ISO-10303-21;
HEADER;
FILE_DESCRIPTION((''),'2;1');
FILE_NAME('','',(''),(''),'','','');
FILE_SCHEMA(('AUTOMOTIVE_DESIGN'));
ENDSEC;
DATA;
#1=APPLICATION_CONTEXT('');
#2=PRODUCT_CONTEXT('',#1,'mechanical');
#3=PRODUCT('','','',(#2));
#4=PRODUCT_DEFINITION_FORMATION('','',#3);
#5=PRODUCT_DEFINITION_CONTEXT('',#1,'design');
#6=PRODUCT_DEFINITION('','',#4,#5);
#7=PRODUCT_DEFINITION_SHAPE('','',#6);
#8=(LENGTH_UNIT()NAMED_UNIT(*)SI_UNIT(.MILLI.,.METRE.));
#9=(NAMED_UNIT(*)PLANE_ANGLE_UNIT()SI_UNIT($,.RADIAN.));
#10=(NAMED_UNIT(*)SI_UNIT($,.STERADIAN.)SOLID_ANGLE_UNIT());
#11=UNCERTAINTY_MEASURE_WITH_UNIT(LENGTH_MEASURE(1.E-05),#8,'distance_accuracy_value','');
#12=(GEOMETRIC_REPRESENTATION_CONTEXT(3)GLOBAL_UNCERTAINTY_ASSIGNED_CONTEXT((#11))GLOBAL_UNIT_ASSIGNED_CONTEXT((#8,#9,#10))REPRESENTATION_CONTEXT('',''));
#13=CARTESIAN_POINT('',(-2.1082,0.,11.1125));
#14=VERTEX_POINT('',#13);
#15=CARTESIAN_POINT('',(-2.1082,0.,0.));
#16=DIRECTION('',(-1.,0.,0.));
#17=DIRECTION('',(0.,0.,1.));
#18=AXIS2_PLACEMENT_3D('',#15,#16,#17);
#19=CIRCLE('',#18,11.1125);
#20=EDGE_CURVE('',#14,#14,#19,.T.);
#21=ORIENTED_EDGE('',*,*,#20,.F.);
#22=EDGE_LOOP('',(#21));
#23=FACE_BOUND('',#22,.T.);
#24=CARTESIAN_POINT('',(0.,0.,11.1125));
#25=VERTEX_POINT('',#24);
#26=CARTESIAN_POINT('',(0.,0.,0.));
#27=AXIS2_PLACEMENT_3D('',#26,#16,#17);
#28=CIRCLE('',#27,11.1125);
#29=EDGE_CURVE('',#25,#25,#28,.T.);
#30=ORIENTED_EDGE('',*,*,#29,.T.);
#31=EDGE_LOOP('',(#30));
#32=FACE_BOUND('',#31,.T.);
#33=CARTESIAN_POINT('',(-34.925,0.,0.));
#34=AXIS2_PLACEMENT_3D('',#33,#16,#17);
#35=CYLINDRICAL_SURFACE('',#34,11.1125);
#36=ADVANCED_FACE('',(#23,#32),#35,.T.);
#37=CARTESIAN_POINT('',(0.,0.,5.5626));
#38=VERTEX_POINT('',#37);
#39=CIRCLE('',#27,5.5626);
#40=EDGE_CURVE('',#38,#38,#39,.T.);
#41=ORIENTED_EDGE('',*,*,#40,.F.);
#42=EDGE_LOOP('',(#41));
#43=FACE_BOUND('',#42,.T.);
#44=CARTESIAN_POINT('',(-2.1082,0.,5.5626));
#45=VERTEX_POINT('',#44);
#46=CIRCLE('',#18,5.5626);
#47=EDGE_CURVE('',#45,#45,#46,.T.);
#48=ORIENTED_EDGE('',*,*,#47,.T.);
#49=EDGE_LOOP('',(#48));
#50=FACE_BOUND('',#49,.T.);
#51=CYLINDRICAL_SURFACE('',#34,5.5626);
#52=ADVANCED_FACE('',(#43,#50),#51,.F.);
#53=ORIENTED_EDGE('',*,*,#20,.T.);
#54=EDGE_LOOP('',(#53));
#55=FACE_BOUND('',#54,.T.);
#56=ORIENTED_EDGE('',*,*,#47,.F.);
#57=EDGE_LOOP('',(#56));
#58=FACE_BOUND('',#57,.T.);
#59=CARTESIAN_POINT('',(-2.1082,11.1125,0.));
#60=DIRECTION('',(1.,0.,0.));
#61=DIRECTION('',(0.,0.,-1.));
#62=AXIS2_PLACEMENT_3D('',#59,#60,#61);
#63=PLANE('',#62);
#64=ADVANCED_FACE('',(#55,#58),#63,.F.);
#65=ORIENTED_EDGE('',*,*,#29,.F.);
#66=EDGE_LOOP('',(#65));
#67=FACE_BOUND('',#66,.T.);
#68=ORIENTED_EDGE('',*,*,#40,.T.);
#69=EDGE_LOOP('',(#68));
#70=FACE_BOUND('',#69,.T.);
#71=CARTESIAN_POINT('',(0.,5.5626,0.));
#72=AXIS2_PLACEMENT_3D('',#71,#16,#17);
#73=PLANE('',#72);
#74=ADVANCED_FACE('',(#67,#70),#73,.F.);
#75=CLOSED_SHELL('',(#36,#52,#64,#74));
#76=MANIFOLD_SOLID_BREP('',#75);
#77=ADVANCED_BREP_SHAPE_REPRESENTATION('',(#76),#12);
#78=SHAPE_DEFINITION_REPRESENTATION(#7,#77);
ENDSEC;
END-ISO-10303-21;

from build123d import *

# Parameters (mm, degrees)
SKETCH1_W = 2.1082
SKETCH1_H = 5.5499


with BuildPart() as part:
    # Sketch1 → Base-Revolve (revolve)
    with BuildSketch(Plane.XY):
        with Locations((-1.0541, 8.33755)):
            Rectangle(SKETCH1_W, SKETCH1_H)
    revolve(axis=Axis((-34.925, 0, 0), (1, 0, 0)))


solid = part.part
